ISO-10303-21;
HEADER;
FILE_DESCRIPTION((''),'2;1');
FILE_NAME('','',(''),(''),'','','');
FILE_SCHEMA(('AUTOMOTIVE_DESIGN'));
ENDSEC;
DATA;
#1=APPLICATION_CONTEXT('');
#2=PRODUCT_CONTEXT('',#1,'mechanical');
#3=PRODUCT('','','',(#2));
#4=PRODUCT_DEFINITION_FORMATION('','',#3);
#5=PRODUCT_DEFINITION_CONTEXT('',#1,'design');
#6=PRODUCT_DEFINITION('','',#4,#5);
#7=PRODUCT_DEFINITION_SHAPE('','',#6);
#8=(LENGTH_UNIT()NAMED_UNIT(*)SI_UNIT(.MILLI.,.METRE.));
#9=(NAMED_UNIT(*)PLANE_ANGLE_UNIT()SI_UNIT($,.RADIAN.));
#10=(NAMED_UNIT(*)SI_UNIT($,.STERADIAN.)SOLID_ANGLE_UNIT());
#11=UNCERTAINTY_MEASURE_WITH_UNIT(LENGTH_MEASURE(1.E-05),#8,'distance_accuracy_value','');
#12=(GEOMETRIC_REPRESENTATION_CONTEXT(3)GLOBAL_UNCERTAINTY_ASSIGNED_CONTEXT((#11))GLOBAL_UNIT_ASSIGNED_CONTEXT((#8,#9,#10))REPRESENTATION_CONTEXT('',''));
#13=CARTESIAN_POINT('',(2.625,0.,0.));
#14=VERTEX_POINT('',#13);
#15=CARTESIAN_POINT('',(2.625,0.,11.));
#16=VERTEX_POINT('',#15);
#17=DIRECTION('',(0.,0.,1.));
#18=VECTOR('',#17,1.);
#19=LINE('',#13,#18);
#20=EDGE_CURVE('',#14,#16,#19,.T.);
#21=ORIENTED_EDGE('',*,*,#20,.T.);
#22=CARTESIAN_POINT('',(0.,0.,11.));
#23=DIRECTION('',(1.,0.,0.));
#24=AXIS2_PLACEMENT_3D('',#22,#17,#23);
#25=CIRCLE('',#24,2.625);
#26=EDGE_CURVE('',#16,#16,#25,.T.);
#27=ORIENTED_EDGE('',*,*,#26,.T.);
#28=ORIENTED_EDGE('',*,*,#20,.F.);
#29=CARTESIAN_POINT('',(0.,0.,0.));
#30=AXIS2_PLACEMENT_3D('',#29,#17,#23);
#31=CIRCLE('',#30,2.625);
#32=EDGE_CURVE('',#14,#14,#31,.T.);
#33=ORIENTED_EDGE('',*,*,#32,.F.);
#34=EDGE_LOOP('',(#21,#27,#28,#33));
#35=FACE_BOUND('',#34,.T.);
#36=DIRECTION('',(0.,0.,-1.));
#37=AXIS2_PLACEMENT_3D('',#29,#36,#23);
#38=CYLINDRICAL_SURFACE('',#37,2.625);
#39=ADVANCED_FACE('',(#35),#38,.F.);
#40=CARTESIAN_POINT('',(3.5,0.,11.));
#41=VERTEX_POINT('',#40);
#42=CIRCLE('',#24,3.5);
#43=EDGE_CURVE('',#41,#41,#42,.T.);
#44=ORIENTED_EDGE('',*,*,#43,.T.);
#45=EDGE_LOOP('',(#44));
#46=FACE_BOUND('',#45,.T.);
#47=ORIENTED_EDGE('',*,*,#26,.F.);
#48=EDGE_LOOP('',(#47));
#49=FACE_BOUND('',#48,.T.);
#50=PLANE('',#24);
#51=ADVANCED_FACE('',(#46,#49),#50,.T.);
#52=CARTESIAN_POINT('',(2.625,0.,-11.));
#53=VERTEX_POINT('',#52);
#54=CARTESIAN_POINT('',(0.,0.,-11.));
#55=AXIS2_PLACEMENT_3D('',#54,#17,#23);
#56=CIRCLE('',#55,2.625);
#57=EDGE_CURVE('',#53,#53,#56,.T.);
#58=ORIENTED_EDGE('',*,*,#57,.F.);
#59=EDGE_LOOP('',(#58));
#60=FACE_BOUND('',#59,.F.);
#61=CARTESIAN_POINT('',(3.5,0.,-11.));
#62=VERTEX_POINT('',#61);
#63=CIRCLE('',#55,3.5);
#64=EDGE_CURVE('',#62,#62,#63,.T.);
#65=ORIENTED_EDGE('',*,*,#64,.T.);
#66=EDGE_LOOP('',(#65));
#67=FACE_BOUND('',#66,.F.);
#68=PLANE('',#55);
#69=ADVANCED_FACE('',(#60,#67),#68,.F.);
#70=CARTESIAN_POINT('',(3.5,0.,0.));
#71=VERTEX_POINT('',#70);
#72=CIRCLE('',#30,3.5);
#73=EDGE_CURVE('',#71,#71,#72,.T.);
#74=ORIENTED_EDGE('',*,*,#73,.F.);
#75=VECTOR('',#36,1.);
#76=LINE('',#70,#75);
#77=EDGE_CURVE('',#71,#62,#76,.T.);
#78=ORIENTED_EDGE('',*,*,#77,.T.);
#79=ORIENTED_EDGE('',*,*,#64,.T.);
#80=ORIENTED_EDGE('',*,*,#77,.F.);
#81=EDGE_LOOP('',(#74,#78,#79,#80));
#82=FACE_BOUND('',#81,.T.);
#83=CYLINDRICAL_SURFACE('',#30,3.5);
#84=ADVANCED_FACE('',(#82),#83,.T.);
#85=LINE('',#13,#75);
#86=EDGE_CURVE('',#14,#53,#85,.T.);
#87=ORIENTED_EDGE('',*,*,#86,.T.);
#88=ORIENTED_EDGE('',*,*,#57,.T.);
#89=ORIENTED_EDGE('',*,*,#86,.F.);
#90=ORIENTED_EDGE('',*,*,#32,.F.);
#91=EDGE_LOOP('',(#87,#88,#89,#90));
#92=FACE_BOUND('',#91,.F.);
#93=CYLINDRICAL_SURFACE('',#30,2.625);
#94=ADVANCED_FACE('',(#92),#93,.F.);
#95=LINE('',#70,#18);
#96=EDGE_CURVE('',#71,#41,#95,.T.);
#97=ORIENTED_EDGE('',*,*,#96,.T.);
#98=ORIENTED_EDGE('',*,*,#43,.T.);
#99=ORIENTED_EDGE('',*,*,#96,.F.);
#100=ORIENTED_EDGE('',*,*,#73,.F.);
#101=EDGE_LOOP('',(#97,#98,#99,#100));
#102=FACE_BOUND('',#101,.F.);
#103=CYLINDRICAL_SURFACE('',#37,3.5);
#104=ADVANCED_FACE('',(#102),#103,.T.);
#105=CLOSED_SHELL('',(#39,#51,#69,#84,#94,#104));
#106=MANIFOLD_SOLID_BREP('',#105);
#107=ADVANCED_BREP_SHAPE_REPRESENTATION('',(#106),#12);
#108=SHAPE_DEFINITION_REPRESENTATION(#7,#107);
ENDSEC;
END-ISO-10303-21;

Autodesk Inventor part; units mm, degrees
ref_plane "YZ Plane" through (0, 0, 0) normal (1, 0, 0) x (0, 1, 0)
ref_plane "XZ Plane" through (0, 0, 0) normal (0, 1, 0) x (-1, 0, 0)
ref_plane "XY Plane" through (0, 0, 0) normal (0, 0, 1) x (1, 0, 0)
sketch "Boceto1" plane through (0, 0, 0) normal (0, 0, 1) x (1, 0, 0)
  circle A0 centre (0, 0) radius 3.5
  circle A1 centre (0, 0) radius 2.625
  dimension "d0" = 7
  dimension "d1" = 5.25
extrude "Extrusión1" add sketch "Boceto1" along normal mid plane 22
properties part number "PasadorResorte"
